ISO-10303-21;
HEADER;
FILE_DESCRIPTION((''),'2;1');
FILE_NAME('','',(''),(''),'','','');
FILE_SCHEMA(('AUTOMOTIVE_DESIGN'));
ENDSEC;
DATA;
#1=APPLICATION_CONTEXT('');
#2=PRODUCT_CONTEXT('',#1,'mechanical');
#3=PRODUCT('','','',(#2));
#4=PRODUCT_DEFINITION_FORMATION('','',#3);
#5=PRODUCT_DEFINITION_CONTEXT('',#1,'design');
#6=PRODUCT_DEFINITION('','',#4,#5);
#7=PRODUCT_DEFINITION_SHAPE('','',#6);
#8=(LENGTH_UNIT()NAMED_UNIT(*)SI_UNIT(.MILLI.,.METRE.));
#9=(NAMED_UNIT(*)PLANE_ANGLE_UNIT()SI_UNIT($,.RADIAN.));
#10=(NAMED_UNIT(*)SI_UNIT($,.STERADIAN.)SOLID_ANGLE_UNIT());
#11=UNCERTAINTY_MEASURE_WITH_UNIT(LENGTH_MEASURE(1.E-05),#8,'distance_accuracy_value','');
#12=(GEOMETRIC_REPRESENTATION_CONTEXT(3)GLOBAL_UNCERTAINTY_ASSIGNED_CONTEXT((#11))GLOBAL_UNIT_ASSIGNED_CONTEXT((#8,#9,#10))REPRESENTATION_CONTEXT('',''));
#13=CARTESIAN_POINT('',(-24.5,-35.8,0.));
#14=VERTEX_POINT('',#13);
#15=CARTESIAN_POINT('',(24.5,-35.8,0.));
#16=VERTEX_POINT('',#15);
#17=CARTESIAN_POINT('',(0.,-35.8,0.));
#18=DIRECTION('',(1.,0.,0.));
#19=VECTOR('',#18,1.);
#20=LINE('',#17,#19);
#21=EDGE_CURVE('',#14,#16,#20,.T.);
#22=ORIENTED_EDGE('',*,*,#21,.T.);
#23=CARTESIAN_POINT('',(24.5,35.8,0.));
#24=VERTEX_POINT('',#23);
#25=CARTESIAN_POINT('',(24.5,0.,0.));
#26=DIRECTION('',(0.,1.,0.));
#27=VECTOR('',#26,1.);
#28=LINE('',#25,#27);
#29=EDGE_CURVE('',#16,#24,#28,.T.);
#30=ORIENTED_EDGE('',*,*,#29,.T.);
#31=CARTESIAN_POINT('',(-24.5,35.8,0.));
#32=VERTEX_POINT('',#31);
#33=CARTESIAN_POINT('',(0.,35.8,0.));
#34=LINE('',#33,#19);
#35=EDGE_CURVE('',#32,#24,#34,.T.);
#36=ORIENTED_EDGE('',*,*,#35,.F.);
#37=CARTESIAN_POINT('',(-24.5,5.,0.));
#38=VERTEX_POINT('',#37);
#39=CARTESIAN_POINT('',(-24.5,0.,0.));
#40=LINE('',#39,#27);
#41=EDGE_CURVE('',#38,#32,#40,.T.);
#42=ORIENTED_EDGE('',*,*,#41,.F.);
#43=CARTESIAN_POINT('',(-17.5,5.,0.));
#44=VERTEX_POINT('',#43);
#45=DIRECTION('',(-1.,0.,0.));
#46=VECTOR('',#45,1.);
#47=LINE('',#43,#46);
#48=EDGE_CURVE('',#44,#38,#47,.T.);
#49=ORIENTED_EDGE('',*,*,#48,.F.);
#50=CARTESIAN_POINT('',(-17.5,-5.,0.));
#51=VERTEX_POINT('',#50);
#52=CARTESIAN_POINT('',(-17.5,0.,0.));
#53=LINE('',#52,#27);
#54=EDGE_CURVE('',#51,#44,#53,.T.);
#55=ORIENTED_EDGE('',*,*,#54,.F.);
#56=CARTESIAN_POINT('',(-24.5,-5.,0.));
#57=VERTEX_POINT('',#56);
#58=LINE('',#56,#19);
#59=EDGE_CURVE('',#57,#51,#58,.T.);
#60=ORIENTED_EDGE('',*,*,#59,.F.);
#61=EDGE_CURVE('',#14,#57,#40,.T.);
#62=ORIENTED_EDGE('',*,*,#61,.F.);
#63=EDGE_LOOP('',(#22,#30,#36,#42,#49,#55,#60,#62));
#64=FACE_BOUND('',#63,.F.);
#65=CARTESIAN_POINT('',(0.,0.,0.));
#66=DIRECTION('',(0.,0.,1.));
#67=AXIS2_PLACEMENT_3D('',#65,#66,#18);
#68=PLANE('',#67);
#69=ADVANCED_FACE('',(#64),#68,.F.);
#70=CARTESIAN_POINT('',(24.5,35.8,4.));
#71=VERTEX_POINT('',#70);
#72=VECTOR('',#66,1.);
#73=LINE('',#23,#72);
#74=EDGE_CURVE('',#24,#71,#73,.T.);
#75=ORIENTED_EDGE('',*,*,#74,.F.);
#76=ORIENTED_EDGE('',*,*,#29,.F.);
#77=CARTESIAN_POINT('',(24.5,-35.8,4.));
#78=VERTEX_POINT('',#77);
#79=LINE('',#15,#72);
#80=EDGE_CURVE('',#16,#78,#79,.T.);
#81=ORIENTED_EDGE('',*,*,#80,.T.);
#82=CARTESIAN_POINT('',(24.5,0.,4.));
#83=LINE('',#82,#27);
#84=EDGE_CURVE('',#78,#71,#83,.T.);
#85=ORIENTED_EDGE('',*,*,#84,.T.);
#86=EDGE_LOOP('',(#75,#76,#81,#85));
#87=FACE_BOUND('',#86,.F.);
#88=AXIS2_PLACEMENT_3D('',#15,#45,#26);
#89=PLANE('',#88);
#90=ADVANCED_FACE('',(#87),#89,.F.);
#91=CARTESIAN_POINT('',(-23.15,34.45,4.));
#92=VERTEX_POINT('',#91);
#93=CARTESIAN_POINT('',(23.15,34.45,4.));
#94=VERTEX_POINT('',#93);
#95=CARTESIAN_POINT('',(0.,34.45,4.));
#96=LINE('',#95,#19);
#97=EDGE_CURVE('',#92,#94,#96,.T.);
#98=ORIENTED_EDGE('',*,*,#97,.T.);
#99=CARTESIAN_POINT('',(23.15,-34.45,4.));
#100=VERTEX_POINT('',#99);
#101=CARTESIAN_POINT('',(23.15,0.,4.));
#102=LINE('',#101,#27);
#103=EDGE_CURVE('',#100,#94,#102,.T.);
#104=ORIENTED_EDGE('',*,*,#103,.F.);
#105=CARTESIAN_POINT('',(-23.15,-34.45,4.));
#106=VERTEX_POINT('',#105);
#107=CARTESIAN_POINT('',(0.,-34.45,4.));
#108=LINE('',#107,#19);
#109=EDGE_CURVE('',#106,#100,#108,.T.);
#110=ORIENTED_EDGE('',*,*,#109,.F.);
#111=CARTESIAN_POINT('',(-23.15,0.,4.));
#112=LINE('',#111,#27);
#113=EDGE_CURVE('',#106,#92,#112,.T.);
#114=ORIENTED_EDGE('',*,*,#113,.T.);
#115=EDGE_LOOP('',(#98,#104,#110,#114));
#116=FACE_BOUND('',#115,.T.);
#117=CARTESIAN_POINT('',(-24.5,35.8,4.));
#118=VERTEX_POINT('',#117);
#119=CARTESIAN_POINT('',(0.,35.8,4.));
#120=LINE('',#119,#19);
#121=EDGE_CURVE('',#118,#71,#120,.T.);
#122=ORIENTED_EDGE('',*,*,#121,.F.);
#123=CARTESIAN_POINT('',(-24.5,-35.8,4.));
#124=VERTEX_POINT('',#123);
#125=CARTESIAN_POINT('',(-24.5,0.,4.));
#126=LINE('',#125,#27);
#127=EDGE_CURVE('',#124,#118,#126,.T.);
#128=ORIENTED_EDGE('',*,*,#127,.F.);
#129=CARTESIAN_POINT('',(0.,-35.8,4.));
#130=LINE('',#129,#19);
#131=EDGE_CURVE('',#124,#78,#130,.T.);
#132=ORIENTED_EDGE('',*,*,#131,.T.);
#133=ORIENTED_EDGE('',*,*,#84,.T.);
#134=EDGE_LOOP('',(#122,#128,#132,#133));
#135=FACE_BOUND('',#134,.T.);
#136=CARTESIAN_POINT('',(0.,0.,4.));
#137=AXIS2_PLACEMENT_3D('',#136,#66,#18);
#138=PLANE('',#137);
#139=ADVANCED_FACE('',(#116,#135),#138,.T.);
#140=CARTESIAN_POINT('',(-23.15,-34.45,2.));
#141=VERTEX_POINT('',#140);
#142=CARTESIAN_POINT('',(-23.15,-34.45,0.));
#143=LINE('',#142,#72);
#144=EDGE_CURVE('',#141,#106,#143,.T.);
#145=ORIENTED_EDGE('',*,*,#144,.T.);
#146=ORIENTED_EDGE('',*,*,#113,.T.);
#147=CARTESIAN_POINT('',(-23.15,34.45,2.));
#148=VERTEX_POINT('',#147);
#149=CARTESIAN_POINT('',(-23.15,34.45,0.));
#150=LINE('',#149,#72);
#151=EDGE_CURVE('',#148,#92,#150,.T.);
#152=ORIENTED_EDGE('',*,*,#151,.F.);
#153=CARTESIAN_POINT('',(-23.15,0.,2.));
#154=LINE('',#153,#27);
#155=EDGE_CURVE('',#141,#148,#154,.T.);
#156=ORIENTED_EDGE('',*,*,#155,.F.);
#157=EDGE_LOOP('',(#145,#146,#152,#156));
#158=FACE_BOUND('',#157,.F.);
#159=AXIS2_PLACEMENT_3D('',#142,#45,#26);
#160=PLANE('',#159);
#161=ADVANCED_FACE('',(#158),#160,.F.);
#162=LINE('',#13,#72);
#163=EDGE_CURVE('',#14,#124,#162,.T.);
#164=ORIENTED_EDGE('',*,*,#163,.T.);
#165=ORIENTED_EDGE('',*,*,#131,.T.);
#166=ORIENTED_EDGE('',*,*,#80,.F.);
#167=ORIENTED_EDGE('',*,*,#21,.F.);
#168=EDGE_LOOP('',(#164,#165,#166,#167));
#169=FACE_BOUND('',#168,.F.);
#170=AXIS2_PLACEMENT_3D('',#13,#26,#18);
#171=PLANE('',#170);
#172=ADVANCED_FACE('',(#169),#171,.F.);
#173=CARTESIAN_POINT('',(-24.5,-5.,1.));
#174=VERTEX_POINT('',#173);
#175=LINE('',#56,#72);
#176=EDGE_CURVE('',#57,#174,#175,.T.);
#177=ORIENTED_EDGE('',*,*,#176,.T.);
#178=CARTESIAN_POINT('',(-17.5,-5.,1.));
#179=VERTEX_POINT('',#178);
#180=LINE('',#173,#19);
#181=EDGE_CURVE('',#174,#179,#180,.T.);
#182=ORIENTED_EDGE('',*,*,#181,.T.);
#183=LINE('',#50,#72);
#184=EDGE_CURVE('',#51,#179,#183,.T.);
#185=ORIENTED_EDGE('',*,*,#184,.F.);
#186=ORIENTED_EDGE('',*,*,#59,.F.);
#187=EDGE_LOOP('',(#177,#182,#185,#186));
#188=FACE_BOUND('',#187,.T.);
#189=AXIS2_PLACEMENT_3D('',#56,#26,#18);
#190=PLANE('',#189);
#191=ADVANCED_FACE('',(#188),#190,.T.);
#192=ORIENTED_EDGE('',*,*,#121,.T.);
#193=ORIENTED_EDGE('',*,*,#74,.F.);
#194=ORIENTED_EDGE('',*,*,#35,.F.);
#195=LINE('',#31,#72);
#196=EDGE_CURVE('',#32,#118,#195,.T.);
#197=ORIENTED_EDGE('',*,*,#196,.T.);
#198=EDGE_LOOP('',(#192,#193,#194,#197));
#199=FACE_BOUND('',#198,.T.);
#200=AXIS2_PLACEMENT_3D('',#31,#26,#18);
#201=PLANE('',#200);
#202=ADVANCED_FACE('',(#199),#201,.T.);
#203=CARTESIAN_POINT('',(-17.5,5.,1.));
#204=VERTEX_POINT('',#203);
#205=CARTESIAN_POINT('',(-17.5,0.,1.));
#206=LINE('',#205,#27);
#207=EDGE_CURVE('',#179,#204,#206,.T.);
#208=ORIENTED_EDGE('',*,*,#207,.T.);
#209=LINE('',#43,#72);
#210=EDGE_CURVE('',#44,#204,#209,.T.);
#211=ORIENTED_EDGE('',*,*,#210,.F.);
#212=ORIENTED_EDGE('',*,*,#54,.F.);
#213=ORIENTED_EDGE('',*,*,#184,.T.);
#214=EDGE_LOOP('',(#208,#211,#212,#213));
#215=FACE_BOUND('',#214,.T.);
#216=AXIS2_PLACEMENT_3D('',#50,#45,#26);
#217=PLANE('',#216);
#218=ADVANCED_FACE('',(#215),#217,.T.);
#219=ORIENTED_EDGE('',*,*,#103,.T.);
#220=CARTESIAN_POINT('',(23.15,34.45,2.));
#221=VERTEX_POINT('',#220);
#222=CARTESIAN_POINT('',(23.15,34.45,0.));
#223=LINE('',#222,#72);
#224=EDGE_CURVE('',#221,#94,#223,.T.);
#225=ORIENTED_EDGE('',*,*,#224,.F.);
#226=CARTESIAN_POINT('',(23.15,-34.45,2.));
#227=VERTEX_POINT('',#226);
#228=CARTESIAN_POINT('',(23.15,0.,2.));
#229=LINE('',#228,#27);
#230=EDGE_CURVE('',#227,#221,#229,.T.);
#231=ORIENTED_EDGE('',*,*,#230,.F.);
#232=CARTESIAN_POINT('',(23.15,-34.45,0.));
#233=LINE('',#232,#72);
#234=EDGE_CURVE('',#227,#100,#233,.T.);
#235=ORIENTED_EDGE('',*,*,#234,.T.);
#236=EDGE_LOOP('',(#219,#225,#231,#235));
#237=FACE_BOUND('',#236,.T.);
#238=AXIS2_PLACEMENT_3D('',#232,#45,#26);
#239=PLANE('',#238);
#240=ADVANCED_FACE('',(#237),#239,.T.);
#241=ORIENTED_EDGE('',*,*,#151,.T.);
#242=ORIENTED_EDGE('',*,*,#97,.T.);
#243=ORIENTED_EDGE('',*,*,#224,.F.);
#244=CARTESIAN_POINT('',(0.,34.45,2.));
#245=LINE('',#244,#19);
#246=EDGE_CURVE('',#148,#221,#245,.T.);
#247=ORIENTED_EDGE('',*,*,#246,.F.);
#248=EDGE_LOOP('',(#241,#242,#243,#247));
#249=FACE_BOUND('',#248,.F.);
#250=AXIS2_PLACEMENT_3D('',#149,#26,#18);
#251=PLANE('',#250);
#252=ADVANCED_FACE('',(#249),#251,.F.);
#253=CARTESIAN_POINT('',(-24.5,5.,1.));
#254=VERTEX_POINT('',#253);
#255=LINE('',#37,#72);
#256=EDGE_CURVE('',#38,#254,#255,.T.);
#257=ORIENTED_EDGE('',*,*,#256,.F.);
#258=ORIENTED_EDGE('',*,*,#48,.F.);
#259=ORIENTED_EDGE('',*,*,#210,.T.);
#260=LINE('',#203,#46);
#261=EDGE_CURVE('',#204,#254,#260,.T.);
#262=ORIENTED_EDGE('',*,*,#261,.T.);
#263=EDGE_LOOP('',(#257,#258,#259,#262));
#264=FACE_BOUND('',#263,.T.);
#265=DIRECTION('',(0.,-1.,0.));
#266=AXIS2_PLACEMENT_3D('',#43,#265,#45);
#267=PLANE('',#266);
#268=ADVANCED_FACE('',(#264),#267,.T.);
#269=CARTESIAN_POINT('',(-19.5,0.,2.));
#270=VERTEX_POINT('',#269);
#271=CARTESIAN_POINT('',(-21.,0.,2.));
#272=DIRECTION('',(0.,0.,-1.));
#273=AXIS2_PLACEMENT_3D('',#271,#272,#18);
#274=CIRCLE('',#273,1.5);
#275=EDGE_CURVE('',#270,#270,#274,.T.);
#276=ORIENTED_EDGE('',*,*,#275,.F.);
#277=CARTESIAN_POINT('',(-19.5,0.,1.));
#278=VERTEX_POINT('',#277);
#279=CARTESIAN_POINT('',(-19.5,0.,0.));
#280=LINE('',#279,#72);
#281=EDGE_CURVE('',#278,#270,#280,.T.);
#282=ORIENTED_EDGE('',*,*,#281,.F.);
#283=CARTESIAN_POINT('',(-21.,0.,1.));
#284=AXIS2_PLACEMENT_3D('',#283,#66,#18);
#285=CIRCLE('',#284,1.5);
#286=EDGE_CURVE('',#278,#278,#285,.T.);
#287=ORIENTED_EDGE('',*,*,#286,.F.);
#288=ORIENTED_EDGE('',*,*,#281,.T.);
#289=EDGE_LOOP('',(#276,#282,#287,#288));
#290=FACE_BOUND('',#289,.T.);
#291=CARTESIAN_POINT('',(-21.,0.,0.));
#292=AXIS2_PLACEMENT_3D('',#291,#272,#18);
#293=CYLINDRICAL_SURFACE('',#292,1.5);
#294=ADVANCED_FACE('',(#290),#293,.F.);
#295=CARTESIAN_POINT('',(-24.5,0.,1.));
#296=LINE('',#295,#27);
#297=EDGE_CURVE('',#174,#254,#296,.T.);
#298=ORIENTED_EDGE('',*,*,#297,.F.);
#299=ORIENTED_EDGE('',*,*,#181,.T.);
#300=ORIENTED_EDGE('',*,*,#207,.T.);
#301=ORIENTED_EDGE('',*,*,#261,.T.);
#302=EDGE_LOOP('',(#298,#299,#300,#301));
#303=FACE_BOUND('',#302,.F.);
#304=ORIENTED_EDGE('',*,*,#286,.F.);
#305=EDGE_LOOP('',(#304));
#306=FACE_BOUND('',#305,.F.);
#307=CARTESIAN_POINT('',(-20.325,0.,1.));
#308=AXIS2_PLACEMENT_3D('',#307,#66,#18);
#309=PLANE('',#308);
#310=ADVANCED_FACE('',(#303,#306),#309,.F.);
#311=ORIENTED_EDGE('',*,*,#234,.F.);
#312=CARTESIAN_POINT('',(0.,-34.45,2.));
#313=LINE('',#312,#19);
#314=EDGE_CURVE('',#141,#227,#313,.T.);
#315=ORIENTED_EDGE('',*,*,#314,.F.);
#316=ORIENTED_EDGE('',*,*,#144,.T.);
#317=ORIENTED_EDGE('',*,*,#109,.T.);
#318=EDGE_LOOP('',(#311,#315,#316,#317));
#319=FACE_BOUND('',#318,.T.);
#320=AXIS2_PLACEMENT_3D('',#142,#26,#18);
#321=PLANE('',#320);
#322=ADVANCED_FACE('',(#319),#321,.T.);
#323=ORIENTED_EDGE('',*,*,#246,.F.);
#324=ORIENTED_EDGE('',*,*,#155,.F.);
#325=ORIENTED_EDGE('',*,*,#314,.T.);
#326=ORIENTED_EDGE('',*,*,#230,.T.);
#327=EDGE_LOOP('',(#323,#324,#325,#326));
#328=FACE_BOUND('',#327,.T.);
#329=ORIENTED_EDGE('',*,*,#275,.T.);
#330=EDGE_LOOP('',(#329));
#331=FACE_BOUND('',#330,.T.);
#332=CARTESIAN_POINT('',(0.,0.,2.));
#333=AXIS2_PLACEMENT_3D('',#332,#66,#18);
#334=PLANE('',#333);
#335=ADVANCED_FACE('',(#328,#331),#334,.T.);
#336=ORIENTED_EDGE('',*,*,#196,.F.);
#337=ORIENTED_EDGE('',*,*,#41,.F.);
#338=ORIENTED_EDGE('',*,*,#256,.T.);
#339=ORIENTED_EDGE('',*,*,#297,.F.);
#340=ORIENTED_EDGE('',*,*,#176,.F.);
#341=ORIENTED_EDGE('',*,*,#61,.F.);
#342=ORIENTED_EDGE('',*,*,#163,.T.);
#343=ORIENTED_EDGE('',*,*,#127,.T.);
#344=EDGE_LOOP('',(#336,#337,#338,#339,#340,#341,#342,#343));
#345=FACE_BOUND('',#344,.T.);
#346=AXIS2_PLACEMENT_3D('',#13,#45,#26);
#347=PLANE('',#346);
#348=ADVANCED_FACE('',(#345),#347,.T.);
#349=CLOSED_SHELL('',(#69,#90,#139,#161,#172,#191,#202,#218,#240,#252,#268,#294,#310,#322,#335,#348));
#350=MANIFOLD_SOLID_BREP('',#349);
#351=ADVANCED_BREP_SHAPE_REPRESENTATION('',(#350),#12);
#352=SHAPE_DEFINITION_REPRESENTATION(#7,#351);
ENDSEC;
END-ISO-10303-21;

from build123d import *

# Parameters (mm, degrees)
F0_W     = 49
F0_H     = 71.6
F0_W_2   = 46.3
F0_H_2   = 68.9
F1_DEPTH = 4
F2_DEPTH = 2
F3_W     = 5.65
F3_H     = 10
F3_R     = 1.5
F3_W_2   = 1.35
F4_DEPTH = 1
F5_DEPTH = 4.9


with BuildPart() as f1:
    # F0 (on Top) → F1 (new body)
    with BuildSketch(Plane.XY):
        Rectangle(F0_W, F0_H)
        Rectangle(F0_W_2, F0_H_2, mode=Mode.SUBTRACT)
    extrude(amount=F1_DEPTH)

    # F0 (on Top) → F2 (join)
    with BuildSketch(Plane.XY):
        Rectangle(F0_W_2, F0_H_2)
    extrude(amount=F2_DEPTH)

    # F3 (on face) → F4 (cut)
    with BuildSketch(Plane.XY):
        with Locations((-20.325, 0)):
            Rectangle(F3_W, F3_H)
        with Locations((-21, 0)):
            Circle(F3_R, mode=Mode.SUBTRACT)
        with Locations((-23.825, 0)):
            Rectangle(F3_W_2, F3_H)
    extrude(amount=F4_DEPTH, mode=Mode.SUBTRACT)

    # F3 (on face) → F5 (cut)
    with BuildSketch(Plane.XY):
        with Locations((-21, 0)):
            Circle(F3_R)
    extrude(amount=F5_DEPTH, mode=Mode.SUBTRACT)


solid = f1.part
